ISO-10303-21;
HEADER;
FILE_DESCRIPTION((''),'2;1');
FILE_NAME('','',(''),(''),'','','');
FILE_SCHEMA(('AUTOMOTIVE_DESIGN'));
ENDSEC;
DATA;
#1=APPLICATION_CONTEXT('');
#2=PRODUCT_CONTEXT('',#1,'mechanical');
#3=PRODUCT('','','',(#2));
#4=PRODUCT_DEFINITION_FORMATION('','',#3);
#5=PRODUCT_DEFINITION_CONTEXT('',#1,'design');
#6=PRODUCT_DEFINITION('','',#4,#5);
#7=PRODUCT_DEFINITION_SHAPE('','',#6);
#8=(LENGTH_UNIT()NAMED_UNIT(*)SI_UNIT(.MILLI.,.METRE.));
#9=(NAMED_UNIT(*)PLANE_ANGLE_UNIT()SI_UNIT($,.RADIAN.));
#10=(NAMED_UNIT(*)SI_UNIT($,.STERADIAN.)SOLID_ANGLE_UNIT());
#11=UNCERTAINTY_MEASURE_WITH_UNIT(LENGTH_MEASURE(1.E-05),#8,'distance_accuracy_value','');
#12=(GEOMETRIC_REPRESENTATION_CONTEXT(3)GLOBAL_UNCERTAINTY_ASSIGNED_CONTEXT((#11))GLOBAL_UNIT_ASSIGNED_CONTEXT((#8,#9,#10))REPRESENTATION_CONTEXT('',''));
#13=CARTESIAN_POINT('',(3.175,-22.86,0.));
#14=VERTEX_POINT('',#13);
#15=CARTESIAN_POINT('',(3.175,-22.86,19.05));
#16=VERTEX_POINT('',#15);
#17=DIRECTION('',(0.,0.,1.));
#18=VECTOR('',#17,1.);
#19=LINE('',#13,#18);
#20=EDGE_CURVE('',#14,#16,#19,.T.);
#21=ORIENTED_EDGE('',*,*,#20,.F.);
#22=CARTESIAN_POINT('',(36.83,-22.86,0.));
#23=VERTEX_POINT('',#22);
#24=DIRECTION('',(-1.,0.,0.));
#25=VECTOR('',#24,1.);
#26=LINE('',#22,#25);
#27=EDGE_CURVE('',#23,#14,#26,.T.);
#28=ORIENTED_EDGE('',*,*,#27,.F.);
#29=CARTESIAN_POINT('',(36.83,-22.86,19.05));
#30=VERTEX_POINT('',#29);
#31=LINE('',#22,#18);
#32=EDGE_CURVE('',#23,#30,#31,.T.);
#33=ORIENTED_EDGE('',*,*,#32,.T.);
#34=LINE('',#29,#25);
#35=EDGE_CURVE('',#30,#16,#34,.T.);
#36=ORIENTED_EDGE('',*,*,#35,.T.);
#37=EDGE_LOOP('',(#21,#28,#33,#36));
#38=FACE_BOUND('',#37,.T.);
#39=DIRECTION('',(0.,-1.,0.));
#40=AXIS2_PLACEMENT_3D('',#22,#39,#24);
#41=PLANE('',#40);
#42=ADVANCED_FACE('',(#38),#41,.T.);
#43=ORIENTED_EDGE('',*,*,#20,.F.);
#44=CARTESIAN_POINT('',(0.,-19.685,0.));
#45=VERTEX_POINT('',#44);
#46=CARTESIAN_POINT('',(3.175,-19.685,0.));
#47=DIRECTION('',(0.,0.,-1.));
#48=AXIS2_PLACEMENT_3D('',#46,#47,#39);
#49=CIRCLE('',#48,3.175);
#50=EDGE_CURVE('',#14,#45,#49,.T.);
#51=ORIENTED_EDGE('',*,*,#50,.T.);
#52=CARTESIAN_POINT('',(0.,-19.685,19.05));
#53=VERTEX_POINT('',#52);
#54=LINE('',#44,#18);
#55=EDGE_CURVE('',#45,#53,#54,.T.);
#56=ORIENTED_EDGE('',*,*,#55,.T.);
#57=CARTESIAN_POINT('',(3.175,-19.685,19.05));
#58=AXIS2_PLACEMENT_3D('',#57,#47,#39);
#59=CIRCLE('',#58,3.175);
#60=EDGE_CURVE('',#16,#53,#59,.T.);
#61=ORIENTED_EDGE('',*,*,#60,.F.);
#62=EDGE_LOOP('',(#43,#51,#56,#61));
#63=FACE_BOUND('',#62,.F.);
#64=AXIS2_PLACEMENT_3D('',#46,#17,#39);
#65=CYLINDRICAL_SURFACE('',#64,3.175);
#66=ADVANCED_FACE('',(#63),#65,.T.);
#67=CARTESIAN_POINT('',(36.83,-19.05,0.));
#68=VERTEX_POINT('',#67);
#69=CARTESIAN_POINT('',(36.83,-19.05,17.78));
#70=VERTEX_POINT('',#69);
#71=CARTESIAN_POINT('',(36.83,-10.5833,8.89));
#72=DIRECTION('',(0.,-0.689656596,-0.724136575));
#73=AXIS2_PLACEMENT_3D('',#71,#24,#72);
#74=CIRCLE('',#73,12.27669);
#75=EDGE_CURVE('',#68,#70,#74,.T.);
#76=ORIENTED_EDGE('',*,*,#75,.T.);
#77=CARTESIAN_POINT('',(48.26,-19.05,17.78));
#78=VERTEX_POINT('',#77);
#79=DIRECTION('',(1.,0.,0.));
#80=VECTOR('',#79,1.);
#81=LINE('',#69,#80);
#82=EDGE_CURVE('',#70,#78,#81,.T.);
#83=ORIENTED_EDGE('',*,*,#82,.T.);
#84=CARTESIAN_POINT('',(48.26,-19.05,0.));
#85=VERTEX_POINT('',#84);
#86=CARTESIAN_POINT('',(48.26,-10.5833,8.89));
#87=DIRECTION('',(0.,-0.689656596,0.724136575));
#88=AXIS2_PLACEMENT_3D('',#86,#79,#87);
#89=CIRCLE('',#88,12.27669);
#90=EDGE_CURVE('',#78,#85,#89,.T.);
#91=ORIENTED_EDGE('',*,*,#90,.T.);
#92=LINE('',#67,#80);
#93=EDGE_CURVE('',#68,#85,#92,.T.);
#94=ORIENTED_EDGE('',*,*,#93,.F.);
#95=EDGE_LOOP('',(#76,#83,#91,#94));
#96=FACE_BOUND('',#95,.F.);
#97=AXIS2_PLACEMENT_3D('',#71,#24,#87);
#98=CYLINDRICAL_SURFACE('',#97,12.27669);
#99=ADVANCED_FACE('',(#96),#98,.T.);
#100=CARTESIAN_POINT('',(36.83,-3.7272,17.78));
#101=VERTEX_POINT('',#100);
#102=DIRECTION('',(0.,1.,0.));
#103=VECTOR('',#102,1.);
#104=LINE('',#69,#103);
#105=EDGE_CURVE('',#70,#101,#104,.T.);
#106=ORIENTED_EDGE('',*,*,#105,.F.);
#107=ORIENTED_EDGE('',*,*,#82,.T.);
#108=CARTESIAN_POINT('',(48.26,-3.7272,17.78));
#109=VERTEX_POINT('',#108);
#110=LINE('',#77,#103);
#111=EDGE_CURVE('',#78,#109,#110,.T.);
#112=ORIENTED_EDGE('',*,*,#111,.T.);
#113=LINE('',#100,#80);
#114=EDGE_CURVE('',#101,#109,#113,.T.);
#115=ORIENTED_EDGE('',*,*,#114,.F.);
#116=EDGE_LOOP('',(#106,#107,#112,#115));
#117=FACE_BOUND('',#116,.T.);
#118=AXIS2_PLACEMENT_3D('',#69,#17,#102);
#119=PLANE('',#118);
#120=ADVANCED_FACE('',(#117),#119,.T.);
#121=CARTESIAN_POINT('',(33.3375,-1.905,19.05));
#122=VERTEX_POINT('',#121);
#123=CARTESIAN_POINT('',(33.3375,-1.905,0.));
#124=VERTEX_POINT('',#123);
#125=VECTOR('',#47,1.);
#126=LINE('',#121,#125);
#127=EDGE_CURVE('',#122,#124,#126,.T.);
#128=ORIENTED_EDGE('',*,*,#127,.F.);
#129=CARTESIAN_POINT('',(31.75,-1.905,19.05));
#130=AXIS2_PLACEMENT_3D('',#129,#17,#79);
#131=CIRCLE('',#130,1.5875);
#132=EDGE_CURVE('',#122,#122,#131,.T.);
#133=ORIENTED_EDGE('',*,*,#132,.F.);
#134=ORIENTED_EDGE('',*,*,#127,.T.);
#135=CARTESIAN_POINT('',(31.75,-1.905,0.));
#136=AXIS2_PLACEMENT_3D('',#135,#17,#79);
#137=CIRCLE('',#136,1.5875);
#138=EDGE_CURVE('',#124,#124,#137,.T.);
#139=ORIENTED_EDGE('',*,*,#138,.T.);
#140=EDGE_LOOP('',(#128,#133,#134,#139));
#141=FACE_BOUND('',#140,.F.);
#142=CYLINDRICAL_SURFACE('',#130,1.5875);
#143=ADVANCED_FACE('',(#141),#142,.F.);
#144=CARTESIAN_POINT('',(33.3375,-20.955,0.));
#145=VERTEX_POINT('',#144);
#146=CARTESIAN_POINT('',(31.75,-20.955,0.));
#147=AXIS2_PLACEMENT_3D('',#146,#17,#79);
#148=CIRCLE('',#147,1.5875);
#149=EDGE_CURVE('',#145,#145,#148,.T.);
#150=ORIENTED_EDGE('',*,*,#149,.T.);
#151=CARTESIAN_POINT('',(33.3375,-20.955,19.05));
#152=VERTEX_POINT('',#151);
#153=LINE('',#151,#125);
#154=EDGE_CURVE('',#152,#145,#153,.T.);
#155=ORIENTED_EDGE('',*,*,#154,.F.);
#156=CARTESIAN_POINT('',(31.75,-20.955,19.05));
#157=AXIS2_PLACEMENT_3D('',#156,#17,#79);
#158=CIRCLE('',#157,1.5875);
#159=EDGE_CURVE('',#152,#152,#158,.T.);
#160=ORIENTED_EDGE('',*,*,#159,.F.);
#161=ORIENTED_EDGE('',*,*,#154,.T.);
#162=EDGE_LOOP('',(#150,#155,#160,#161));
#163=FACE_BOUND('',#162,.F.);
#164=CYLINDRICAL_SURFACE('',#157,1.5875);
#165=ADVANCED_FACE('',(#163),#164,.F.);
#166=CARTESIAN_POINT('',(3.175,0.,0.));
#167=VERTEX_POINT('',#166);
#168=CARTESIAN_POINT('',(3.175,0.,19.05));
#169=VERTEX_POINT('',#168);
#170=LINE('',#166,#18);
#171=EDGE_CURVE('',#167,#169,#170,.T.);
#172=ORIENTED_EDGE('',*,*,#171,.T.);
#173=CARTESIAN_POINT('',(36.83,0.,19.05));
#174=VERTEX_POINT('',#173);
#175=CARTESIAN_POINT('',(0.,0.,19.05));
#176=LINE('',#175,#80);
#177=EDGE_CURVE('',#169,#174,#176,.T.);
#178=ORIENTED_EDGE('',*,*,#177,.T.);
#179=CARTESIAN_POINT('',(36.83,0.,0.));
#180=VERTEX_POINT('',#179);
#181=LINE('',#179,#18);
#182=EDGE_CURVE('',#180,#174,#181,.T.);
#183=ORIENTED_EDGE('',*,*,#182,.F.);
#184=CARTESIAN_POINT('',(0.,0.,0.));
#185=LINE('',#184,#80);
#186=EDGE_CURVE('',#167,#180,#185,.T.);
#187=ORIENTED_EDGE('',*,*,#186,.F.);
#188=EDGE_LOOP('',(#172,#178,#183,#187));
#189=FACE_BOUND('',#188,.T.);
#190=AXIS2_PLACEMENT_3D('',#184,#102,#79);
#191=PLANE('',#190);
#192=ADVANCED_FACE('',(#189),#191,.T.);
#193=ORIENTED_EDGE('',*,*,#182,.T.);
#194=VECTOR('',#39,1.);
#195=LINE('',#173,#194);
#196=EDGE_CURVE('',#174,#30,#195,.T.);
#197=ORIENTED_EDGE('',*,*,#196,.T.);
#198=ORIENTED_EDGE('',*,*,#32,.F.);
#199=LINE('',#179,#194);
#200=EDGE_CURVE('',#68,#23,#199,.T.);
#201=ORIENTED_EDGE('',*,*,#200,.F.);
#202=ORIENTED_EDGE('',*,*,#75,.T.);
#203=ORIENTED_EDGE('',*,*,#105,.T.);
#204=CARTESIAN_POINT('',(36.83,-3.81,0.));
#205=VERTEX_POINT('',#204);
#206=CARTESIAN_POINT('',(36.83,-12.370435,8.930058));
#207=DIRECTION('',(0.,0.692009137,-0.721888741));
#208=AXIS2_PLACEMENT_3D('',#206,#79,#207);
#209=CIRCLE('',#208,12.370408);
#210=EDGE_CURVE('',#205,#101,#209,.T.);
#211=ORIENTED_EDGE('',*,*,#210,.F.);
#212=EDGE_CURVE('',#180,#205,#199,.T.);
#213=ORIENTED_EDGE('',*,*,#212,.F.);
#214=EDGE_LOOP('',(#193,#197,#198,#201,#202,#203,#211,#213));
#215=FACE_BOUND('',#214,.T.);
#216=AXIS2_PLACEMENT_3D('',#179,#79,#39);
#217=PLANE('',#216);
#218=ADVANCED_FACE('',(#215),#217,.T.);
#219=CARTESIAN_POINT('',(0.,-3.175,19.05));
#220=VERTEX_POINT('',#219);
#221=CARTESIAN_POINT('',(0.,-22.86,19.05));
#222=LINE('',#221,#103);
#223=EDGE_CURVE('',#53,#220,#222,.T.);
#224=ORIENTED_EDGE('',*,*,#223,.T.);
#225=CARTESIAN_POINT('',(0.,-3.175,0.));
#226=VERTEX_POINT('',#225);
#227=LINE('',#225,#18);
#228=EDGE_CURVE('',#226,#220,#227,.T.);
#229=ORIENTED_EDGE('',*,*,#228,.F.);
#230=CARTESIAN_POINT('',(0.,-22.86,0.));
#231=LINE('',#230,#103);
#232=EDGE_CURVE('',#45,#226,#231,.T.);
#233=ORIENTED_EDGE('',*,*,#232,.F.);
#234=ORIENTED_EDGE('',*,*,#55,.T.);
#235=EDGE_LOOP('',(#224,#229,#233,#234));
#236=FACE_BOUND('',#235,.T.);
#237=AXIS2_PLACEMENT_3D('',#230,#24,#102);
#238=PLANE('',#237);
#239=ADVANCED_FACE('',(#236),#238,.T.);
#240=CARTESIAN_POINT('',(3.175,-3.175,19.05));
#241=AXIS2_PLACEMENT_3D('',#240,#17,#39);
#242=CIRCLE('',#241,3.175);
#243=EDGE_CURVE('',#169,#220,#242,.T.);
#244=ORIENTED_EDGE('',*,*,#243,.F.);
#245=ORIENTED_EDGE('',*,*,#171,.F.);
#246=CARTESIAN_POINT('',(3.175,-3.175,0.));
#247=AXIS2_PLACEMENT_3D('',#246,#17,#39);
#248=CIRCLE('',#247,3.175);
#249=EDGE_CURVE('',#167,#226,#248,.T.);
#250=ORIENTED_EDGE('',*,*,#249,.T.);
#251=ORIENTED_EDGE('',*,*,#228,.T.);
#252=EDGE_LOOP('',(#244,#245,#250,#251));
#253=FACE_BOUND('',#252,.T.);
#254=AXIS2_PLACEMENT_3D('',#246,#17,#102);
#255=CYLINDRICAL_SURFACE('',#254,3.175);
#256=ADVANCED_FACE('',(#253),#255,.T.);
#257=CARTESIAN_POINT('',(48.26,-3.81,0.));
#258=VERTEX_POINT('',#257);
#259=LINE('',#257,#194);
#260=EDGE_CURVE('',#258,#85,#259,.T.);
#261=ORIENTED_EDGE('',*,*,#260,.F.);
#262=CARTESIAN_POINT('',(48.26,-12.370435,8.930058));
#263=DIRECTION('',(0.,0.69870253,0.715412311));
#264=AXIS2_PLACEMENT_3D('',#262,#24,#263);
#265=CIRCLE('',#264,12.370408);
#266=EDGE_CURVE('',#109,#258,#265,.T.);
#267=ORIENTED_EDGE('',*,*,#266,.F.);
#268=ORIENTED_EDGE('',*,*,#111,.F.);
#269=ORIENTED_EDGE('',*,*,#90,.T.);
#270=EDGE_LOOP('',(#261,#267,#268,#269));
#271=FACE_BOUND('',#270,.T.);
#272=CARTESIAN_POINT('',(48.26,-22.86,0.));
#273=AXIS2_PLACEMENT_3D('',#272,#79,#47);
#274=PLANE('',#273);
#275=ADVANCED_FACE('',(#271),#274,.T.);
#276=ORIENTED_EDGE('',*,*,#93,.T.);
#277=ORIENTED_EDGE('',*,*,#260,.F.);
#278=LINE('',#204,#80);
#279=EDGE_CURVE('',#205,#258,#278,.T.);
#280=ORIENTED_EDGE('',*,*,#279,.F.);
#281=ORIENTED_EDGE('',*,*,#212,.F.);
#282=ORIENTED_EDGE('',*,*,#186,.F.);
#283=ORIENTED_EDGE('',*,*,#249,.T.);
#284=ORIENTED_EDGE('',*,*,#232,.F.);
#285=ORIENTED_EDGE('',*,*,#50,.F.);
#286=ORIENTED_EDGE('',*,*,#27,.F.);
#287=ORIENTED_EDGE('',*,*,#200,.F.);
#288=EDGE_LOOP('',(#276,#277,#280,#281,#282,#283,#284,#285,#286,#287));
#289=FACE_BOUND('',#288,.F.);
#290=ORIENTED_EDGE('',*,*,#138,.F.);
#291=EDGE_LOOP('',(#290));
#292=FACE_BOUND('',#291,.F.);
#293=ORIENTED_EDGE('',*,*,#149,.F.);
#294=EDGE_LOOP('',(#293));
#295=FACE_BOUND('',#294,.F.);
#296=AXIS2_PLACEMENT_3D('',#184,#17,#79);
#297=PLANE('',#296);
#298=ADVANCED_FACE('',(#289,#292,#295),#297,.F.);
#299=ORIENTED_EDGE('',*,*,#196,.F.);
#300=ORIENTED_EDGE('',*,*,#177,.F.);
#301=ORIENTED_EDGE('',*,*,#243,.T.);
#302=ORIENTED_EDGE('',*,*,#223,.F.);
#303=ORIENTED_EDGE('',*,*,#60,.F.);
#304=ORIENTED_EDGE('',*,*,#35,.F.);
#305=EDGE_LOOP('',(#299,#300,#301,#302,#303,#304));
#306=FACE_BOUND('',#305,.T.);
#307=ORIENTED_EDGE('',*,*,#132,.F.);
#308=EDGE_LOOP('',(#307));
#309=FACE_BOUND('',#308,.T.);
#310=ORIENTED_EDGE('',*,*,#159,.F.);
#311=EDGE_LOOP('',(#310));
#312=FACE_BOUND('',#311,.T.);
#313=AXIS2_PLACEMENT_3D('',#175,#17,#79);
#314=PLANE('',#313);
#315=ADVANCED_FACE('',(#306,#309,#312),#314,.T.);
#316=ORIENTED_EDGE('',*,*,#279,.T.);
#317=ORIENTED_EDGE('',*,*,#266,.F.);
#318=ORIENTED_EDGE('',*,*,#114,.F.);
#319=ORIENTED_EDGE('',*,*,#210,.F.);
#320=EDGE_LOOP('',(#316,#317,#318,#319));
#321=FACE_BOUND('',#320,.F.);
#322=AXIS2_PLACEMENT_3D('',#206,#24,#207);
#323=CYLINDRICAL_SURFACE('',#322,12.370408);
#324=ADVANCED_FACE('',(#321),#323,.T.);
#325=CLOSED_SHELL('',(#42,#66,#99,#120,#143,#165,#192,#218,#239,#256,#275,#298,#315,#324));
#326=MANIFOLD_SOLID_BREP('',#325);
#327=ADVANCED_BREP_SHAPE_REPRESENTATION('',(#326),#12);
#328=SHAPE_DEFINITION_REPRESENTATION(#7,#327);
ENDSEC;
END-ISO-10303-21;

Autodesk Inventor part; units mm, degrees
ref_plane "YZ Plane" through (0, 0, 0) normal (1, 0, 0) x (0, 1, 0)
ref_plane "XZ Plane" through (0, 0, 0) normal (0, 1, 0) x (-1, 0, 0)
ref_plane "XY Plane" through (0, 0, 0) normal (0, 0, 1) x (1, 0, 0)
sketch "Sketch1" plane through (0, 0, 0) normal (0, 0, 1) x (1, 0, 0)
  line L0 (0, 0) -> (36.83, 0)
  line L1 (36.83, 0) -> (36.83, -22.86)
  line L2 (36.83, -22.86) -> (0, -22.86)
  line L3 (0, -22.86) -> (0, 0)
  dimension "d0" = 36.83
  dimension "d1" = 22.86
extrude "Extrusion1" add sketch "Sketch1" along normal blind 19.05
fillet "Fillet1" radius 3.175 2 edges at (0, 0, 9.525) (0, -22.86, 9.525)
sketch "Sketch2" plane through (36.83, -22.86, 0) normal (1, 0, 0) x (0, 0, -1)
  line L0 (0, 22.86) -> (-19.05, 22.86) projected
  line L1 (0, 0) -> (-19.05, 0) projected
  line L2 (-19.05, 0) -> (-19.05, 22.86) projected
  arc A0 (0, 19.05) -> (-17.78, 19.1328) centre (-8.93, 10.4897) ccw
  arc A1 (-17.78, 3.81) -> (0, 3.81) centre (-8.89, 12.2767) ccw
  line L3 (0, 19.05) -> (0, 3.81)
  line L4 (0, 22.86) -> (0, 0) projected
  line L5 (-19.05, 3.175) -> (0, 3.175) projected
  line L6 (-17.78, 3.81) -> (-17.78, 19.1328)
  dimension "d5" = 3.81
  dimension "d6" = 3.81
  dimension "d7" = 1.27
  dimension "d8" = 1.27
extrude "Extrusion2" add sketch "Sketch2" along normal blind 11.43 contours A0 L3 A1 L5 L6 | A1 L5
sketch "Sketch3" plane through (0, 0, 19.05) normal (0, 0, 1) x (1, 0, 0)
  circle A0 centre (31.75, -1.905) radius 1.5875
  line L0 (36.83, -22.86) -> (36.83, 0) projected
  line L1 (36.83, 0) -> (3.175, 0) projected
  circle A1 centre (31.75, -20.955) radius 1.5875
  line L2 (3.175, -22.86) -> (36.83, -22.86) projected
  point P0 (0, 0)
  dimension "d11" = 3.175
  dimension "d12" = 5.08
  dimension "d13" = 1.905
  dimension "d14" = 1.905
  dimension "d15" = 3.175
extrude "Extrusion3" cut sketch "Sketch3" against normal blind 25.4
properties part number "MotorFrame" material "ABS Plastic"
